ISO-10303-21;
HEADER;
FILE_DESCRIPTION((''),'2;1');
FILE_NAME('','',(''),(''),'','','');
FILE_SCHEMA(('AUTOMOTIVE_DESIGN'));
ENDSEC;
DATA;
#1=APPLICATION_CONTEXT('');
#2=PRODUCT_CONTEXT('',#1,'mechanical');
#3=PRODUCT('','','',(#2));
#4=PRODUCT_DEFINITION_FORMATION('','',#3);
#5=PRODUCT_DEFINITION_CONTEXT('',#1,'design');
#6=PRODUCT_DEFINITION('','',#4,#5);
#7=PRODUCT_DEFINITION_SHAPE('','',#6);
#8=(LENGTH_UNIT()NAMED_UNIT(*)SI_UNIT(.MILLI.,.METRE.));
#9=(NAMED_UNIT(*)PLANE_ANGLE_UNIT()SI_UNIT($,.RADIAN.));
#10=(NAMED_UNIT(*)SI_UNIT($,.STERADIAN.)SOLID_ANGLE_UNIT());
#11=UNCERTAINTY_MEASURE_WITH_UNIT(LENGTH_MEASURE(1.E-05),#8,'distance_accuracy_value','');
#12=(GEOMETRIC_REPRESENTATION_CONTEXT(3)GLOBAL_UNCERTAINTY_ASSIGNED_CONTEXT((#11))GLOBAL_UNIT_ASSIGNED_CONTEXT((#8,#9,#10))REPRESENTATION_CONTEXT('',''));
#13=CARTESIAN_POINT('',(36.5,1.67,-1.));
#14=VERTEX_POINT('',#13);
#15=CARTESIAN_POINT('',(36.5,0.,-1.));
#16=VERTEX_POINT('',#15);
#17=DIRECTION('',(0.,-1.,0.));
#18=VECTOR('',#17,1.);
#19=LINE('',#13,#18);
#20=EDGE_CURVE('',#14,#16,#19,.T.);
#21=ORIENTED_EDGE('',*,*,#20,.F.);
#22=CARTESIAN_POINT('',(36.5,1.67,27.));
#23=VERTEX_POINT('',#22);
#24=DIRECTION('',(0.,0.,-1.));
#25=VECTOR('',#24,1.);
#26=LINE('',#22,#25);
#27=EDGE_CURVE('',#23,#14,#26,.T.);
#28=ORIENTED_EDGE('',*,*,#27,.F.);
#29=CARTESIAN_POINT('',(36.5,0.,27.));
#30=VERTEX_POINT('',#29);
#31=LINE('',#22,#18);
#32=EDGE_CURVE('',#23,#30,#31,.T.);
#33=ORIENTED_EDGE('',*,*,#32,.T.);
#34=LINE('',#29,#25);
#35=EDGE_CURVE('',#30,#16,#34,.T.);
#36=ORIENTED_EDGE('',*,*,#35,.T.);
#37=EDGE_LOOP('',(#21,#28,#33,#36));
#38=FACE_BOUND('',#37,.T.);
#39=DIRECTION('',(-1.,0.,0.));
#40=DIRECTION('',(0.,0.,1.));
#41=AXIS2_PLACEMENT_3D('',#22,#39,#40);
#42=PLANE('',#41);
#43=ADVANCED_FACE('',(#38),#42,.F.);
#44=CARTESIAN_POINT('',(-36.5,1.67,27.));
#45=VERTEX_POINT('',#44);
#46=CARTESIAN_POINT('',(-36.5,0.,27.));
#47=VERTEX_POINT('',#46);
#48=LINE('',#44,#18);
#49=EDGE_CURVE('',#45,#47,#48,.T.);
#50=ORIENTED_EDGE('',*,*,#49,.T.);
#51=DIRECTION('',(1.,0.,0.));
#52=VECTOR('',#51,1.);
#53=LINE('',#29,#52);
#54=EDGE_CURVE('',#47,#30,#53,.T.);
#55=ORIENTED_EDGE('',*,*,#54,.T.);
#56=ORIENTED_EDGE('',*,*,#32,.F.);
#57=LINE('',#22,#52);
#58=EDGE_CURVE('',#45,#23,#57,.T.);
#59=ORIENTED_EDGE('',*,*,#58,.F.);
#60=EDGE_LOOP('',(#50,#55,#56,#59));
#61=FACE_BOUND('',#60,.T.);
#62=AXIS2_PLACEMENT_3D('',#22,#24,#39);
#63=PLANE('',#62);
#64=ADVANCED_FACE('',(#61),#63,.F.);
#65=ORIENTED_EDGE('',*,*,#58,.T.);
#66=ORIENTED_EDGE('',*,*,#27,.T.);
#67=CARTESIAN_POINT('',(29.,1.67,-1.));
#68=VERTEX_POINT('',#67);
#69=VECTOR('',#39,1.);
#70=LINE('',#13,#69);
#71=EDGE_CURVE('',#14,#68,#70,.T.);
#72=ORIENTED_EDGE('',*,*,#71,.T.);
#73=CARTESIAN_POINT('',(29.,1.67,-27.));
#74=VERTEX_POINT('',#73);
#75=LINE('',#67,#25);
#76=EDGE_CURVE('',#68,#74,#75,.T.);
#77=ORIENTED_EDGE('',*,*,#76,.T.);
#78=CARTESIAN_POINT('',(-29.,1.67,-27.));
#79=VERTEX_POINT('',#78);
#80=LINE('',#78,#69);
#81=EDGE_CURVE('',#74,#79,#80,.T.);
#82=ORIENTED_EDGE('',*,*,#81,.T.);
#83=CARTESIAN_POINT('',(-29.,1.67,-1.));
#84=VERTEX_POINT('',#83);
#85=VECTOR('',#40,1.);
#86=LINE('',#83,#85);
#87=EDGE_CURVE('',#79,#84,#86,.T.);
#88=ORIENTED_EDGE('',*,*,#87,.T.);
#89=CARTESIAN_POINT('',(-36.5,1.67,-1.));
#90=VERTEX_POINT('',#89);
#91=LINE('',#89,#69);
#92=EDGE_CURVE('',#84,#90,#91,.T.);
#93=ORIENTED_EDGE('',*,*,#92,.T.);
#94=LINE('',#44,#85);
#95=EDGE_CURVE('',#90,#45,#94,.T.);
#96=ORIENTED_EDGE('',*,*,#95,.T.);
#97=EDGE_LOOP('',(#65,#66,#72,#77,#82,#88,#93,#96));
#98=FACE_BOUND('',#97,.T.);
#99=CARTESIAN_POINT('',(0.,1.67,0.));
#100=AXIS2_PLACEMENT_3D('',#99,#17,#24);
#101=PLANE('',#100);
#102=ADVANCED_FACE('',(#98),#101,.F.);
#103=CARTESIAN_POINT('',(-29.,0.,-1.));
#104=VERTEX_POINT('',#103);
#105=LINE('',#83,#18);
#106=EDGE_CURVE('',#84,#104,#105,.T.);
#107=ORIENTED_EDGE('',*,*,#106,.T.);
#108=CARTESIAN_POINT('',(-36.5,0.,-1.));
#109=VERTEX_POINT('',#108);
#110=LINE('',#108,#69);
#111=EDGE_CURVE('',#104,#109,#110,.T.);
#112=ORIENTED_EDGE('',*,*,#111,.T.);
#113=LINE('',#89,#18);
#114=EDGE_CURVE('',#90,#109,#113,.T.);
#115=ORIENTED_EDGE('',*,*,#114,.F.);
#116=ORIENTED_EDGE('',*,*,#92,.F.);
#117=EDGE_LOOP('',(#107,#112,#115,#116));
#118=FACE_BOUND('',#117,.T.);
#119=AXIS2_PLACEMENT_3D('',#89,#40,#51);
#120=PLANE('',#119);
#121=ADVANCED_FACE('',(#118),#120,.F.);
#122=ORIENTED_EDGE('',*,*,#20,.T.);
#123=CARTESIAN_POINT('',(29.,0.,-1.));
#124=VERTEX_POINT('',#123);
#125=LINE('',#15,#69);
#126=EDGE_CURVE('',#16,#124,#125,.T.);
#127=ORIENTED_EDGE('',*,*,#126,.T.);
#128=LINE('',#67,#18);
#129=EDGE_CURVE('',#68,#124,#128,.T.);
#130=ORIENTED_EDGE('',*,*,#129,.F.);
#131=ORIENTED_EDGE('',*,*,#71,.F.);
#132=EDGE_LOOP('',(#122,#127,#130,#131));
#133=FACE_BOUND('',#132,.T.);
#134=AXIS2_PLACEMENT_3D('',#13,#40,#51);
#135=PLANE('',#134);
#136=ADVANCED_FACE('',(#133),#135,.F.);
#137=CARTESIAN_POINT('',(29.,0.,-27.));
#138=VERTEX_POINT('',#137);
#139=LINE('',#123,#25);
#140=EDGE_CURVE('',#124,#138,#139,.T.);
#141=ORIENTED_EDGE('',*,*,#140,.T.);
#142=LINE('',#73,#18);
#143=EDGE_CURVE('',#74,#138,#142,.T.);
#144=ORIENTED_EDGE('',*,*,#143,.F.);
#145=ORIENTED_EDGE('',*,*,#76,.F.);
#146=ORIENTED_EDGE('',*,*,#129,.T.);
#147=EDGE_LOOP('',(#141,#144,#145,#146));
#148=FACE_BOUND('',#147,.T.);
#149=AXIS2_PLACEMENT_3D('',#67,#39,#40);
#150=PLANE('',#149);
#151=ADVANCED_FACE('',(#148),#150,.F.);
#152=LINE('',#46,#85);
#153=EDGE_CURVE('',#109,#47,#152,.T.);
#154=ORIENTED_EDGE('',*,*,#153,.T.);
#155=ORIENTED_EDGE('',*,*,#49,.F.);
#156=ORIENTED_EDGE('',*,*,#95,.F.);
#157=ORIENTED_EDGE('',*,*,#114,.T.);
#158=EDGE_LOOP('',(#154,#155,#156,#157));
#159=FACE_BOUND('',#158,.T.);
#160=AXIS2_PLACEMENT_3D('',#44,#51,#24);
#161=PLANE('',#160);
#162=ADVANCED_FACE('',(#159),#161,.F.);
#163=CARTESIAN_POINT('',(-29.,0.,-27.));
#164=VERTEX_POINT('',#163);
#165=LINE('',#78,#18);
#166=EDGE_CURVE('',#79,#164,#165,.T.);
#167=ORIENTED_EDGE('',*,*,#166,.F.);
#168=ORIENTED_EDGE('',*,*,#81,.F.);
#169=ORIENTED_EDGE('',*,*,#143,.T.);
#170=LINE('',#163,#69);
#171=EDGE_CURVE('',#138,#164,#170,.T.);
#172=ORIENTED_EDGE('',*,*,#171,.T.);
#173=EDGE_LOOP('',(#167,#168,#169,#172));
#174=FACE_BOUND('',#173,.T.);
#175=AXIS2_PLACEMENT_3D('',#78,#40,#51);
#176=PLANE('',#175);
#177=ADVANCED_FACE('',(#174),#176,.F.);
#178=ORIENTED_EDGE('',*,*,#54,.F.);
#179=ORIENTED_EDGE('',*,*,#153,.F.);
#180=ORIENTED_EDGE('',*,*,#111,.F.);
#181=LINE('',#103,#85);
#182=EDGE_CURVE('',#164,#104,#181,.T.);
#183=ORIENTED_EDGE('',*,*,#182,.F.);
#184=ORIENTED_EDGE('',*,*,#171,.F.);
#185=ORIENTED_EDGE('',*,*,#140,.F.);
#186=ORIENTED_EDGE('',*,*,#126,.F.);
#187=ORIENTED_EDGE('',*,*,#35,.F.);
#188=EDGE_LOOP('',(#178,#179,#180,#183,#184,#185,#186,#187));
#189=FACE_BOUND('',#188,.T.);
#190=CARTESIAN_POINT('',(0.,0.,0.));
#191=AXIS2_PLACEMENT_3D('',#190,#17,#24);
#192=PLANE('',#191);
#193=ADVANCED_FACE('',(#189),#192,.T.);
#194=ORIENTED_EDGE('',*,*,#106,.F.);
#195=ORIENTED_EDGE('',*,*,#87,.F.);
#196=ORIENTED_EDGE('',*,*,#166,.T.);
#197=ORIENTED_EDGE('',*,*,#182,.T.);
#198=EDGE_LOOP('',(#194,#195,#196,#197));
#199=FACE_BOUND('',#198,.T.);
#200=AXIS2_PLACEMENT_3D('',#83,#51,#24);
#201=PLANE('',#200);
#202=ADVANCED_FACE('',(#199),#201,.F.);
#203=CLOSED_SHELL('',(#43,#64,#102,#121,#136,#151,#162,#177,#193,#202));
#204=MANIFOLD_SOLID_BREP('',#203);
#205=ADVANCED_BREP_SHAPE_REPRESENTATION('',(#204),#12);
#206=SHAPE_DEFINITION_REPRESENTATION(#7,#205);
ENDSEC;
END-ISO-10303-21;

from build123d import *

# Parameters (mm, degrees)
BOSS_EXTRUDE1_DEPTH = 1.67


with BuildPart() as part:
    # Sketch1 → Boss-Extrude1 (new body)
    with BuildSketch(Plane(origin=(0, 0, 0), x_dir=(1, 0, 0), z_dir=(0, 1, 0))):
        Polygon((-36.5, -27), (-36.5, 1), (-29, 1), (-29, 27), (29, 27), (29, 1), (36.5, 1), (36.5, -27), align=None)
    extrude(amount=BOSS_EXTRUDE1_DEPTH)


solid = part.part
